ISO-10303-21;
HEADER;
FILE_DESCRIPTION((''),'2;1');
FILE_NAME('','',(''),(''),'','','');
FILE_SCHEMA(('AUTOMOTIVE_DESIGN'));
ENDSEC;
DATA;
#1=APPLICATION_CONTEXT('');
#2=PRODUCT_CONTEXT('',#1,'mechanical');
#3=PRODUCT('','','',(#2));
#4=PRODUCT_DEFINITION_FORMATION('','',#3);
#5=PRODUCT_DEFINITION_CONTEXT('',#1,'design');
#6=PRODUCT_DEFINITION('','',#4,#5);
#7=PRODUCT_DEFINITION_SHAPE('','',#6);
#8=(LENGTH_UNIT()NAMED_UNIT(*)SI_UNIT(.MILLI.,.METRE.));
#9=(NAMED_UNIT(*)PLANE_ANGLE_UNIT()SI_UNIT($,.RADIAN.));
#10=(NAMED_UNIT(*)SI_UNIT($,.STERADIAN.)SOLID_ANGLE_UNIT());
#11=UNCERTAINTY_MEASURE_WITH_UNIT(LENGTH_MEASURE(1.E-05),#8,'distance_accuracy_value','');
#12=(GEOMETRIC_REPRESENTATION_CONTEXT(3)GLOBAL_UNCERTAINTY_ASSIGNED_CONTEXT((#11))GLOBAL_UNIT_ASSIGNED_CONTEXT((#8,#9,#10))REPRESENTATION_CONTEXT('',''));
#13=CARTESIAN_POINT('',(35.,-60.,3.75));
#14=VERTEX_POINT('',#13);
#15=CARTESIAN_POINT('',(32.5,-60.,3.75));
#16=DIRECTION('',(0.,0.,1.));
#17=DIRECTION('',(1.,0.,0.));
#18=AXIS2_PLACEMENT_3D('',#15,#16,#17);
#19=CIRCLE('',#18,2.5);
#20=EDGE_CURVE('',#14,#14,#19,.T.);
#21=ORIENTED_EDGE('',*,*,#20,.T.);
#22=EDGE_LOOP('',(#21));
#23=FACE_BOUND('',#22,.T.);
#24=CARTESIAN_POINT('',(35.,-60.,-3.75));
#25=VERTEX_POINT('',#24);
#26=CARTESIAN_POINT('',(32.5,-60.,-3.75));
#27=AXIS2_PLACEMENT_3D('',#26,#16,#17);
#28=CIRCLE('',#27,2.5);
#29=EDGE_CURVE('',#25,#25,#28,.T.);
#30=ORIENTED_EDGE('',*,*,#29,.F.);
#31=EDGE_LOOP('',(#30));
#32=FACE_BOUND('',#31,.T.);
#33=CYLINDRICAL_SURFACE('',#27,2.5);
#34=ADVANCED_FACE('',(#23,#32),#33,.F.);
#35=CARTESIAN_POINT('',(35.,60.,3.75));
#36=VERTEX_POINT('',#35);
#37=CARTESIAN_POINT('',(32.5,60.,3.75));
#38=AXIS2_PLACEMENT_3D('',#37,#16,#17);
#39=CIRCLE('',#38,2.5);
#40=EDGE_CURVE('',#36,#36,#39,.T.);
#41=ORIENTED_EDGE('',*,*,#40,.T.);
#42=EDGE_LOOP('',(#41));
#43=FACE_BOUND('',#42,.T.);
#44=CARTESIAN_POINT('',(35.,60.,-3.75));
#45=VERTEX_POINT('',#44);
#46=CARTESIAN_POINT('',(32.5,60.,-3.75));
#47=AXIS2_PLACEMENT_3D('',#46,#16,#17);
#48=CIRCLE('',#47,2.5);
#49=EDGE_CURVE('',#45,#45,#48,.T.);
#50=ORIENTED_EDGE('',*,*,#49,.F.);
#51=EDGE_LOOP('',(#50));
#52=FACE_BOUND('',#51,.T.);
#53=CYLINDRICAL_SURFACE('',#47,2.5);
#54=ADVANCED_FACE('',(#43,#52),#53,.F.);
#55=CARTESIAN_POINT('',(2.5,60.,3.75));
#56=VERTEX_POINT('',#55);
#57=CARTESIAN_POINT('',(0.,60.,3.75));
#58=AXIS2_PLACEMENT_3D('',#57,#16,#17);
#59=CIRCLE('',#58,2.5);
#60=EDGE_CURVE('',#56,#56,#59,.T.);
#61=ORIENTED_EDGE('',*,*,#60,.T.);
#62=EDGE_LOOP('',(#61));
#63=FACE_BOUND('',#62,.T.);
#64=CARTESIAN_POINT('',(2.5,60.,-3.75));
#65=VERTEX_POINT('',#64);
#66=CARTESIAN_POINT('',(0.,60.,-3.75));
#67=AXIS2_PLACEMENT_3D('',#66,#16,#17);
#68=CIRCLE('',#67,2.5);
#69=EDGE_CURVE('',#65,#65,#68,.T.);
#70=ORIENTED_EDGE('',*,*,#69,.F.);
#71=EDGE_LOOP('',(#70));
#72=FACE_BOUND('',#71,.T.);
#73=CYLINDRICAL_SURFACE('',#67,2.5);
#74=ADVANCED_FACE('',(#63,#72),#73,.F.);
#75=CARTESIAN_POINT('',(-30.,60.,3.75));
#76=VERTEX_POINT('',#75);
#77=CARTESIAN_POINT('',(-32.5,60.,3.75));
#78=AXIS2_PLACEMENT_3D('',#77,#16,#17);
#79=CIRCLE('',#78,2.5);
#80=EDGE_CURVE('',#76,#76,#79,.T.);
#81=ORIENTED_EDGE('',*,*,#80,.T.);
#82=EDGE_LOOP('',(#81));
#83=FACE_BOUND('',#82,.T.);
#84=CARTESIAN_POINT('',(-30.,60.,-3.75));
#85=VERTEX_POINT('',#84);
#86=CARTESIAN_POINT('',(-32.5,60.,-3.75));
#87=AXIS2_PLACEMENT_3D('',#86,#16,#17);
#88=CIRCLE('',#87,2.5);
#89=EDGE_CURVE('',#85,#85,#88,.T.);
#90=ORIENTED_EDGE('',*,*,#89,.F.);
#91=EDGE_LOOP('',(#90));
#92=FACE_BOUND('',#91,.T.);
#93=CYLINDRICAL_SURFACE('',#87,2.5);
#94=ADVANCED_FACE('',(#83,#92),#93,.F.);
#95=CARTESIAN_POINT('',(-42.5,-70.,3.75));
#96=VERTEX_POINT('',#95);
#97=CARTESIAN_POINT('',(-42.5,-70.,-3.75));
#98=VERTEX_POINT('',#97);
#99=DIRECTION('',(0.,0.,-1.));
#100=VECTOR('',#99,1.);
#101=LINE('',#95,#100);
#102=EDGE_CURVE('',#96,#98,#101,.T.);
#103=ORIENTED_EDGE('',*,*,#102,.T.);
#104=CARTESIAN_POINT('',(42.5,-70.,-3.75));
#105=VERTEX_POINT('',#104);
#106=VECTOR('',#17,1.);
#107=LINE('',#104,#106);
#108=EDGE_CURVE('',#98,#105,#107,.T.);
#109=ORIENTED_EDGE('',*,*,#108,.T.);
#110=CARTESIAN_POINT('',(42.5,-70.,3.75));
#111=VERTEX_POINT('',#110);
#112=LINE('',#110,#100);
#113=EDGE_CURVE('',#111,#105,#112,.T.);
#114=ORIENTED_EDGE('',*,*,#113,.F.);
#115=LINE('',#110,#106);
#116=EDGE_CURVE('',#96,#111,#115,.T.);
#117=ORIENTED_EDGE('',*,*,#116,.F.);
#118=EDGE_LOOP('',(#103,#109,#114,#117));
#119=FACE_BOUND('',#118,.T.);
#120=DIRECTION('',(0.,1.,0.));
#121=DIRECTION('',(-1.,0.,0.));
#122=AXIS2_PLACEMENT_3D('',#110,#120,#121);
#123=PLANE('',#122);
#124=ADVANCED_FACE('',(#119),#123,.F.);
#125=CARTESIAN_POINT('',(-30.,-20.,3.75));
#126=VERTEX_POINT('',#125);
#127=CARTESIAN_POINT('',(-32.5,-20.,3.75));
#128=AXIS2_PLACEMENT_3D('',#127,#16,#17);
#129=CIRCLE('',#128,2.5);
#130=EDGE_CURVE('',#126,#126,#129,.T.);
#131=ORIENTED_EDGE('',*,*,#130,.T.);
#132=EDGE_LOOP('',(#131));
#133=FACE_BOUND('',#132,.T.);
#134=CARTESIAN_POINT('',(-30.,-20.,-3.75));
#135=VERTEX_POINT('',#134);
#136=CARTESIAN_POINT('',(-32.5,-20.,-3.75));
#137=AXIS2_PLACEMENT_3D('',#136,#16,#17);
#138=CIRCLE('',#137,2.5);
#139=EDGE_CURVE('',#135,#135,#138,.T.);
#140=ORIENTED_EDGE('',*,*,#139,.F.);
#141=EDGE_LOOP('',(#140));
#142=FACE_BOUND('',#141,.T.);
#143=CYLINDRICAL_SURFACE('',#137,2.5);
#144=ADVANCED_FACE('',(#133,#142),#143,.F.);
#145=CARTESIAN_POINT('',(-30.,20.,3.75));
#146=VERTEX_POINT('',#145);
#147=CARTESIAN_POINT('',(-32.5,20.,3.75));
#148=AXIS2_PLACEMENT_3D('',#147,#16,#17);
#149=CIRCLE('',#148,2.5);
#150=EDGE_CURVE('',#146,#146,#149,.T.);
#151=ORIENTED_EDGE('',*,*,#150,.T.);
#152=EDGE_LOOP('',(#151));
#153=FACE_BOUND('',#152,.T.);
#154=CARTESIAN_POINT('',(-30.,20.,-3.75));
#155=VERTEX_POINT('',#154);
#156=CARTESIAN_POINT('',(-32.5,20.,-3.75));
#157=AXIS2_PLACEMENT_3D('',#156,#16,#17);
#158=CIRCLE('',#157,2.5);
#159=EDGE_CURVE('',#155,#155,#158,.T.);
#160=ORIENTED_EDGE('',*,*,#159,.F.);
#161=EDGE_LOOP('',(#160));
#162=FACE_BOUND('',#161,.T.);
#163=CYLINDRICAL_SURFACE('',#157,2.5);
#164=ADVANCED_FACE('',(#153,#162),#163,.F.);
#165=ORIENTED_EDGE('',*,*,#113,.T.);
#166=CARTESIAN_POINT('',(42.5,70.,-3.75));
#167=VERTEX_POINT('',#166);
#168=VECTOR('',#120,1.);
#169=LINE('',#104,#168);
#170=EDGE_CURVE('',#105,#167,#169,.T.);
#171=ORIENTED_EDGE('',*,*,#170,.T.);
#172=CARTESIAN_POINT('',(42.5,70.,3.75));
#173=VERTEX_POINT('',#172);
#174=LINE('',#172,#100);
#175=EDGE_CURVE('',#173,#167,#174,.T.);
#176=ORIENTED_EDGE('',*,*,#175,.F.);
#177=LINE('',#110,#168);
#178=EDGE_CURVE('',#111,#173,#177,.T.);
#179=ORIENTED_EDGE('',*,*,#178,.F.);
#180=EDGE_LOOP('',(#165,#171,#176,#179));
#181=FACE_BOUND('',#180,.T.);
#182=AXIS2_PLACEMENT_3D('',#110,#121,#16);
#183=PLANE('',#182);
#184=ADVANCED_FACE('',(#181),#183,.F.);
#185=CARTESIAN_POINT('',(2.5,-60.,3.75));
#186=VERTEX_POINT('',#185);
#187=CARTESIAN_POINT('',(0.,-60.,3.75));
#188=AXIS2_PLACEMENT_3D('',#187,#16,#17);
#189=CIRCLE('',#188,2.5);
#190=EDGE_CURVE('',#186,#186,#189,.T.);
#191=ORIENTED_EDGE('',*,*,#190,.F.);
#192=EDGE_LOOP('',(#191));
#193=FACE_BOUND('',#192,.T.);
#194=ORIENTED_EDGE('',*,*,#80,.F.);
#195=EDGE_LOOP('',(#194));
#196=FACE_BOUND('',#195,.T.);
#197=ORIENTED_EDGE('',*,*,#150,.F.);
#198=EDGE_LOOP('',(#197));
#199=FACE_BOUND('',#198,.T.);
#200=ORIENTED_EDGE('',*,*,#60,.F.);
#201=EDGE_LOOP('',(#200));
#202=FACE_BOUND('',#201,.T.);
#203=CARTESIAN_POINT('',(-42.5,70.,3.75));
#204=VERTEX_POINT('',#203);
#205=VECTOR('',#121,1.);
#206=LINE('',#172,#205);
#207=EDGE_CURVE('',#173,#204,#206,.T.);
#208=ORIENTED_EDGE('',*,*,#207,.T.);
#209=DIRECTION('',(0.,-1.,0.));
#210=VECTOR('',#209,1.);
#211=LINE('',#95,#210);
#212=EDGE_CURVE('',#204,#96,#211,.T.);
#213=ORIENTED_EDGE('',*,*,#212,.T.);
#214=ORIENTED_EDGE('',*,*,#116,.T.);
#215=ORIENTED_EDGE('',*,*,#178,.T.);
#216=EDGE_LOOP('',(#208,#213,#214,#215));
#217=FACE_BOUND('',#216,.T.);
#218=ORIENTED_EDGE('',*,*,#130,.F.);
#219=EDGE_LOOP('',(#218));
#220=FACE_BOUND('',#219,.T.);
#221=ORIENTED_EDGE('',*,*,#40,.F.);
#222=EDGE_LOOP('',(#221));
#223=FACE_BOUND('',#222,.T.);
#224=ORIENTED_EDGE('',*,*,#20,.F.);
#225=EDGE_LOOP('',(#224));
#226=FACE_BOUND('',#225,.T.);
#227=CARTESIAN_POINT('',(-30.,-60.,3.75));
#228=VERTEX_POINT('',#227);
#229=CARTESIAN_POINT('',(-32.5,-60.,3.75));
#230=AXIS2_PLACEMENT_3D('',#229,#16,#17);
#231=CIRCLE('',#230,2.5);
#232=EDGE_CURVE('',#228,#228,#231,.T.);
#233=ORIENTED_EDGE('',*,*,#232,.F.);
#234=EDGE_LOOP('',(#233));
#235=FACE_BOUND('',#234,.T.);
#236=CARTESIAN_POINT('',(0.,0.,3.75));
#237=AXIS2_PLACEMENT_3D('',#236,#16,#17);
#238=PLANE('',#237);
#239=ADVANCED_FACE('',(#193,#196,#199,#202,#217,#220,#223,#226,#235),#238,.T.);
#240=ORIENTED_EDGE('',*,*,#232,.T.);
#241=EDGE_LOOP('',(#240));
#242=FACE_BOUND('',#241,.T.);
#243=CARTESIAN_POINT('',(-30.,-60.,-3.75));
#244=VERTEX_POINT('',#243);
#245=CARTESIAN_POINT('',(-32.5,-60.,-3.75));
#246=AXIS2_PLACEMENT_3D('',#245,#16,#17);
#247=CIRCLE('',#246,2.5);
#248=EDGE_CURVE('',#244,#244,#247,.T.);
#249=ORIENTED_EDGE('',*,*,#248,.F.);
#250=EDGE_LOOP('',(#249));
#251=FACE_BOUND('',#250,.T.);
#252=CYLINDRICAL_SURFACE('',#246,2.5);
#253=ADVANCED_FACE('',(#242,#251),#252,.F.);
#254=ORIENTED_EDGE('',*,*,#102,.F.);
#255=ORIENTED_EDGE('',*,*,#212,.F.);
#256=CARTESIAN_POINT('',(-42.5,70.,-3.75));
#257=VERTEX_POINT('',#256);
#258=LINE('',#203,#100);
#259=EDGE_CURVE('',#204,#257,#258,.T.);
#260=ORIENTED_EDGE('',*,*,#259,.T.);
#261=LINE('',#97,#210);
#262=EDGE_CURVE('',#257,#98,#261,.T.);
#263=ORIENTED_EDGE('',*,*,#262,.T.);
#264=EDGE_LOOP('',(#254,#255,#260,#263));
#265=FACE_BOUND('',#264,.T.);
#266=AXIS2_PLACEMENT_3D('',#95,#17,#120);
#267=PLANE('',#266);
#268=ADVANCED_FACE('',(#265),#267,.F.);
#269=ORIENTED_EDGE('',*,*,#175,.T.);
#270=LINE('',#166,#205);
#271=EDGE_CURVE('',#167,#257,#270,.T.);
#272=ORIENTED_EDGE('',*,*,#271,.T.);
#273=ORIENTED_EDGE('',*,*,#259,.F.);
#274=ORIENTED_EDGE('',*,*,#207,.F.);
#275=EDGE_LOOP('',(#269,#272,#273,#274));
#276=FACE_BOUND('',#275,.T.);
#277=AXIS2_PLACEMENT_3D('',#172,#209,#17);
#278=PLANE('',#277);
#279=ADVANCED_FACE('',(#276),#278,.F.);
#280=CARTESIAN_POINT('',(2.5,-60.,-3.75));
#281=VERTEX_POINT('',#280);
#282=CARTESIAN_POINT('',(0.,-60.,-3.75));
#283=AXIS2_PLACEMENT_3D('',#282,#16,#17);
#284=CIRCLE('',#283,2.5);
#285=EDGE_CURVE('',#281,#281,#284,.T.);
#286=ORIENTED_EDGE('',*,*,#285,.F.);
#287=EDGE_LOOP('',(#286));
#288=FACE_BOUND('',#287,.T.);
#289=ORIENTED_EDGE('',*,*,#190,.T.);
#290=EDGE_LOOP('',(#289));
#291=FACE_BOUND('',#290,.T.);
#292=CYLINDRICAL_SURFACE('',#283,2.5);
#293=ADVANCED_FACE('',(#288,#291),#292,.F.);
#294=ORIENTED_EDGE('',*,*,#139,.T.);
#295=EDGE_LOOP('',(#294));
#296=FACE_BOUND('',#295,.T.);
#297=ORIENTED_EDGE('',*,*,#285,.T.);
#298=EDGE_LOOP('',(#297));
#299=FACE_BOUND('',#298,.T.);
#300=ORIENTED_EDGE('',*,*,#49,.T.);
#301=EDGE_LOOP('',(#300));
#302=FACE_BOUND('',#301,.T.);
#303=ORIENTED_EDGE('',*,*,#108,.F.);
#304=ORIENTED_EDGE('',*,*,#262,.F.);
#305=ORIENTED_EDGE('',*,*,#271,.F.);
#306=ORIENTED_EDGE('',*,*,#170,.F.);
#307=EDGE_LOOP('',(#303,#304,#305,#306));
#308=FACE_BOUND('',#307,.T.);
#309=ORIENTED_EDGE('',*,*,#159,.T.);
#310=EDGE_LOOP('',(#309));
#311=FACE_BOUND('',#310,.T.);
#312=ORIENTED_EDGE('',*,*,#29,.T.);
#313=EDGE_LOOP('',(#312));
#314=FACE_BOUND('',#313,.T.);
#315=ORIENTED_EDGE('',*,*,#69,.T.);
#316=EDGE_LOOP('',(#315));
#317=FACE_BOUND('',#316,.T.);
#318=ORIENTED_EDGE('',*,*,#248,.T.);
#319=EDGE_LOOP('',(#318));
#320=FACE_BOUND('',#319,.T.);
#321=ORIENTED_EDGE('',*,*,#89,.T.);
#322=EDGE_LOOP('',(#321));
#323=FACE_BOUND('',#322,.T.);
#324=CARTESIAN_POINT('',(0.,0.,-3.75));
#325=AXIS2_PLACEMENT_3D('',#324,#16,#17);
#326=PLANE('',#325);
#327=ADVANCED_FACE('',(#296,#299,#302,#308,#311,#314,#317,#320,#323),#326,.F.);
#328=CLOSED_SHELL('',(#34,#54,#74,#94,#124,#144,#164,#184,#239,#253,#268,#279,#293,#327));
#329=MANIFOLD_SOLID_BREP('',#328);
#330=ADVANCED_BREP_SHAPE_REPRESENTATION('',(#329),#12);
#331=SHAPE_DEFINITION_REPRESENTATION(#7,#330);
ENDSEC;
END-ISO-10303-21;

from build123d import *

# Parameters (mm, degrees)
SKETCH1_W            = 85
SKETCH1_H            = 140
BOSS_EXTRUDE1_DEPTH  = 3.75
SKETCH2_R            = 2.5
CUT_EXTRUDE1_DEPTH   = 83.234421017
LPATTERN1_COUNT      = 3
LPATTERN1_PITCH      = 32.5
LPATTERN1_COUNT_DIR2 = 4
LPATTERN1_PITCH_DIR2 = 40


with BuildPart() as part:
    # Sketch1 → Boss-Extrude1 (new, symmetric)
    with BuildSketch(Plane.XY):
        Rectangle(SKETCH1_W, SKETCH1_H)
    extrude(amount=BOSS_EXTRUDE1_DEPTH, both=True)

    # Sketch2 → Cut-Extrude1 (cut, symmetric)
    with BuildSketch(Plane.XY.offset(3.75)):
        with Locations((-32.5, 60)):
            Circle(SKETCH2_R)
    cut_extrude1 = extrude(amount=CUT_EXTRUDE1_DEPTH, both=True, mode=Mode.SUBTRACT)

    # LPattern1: Cut-Extrude1 3 × 4, 4 skipped
    with Locations(*[(i * LPATTERN1_PITCH, -j * LPATTERN1_PITCH_DIR2, 0) for i in range(LPATTERN1_COUNT) for j in range(LPATTERN1_COUNT_DIR2) if (i, j) not in ((0, 0), (1, 1), (1, 2), (2, 1), (2, 2))]):
        add(cut_extrude1, mode=Mode.SUBTRACT)


solid = part.part
